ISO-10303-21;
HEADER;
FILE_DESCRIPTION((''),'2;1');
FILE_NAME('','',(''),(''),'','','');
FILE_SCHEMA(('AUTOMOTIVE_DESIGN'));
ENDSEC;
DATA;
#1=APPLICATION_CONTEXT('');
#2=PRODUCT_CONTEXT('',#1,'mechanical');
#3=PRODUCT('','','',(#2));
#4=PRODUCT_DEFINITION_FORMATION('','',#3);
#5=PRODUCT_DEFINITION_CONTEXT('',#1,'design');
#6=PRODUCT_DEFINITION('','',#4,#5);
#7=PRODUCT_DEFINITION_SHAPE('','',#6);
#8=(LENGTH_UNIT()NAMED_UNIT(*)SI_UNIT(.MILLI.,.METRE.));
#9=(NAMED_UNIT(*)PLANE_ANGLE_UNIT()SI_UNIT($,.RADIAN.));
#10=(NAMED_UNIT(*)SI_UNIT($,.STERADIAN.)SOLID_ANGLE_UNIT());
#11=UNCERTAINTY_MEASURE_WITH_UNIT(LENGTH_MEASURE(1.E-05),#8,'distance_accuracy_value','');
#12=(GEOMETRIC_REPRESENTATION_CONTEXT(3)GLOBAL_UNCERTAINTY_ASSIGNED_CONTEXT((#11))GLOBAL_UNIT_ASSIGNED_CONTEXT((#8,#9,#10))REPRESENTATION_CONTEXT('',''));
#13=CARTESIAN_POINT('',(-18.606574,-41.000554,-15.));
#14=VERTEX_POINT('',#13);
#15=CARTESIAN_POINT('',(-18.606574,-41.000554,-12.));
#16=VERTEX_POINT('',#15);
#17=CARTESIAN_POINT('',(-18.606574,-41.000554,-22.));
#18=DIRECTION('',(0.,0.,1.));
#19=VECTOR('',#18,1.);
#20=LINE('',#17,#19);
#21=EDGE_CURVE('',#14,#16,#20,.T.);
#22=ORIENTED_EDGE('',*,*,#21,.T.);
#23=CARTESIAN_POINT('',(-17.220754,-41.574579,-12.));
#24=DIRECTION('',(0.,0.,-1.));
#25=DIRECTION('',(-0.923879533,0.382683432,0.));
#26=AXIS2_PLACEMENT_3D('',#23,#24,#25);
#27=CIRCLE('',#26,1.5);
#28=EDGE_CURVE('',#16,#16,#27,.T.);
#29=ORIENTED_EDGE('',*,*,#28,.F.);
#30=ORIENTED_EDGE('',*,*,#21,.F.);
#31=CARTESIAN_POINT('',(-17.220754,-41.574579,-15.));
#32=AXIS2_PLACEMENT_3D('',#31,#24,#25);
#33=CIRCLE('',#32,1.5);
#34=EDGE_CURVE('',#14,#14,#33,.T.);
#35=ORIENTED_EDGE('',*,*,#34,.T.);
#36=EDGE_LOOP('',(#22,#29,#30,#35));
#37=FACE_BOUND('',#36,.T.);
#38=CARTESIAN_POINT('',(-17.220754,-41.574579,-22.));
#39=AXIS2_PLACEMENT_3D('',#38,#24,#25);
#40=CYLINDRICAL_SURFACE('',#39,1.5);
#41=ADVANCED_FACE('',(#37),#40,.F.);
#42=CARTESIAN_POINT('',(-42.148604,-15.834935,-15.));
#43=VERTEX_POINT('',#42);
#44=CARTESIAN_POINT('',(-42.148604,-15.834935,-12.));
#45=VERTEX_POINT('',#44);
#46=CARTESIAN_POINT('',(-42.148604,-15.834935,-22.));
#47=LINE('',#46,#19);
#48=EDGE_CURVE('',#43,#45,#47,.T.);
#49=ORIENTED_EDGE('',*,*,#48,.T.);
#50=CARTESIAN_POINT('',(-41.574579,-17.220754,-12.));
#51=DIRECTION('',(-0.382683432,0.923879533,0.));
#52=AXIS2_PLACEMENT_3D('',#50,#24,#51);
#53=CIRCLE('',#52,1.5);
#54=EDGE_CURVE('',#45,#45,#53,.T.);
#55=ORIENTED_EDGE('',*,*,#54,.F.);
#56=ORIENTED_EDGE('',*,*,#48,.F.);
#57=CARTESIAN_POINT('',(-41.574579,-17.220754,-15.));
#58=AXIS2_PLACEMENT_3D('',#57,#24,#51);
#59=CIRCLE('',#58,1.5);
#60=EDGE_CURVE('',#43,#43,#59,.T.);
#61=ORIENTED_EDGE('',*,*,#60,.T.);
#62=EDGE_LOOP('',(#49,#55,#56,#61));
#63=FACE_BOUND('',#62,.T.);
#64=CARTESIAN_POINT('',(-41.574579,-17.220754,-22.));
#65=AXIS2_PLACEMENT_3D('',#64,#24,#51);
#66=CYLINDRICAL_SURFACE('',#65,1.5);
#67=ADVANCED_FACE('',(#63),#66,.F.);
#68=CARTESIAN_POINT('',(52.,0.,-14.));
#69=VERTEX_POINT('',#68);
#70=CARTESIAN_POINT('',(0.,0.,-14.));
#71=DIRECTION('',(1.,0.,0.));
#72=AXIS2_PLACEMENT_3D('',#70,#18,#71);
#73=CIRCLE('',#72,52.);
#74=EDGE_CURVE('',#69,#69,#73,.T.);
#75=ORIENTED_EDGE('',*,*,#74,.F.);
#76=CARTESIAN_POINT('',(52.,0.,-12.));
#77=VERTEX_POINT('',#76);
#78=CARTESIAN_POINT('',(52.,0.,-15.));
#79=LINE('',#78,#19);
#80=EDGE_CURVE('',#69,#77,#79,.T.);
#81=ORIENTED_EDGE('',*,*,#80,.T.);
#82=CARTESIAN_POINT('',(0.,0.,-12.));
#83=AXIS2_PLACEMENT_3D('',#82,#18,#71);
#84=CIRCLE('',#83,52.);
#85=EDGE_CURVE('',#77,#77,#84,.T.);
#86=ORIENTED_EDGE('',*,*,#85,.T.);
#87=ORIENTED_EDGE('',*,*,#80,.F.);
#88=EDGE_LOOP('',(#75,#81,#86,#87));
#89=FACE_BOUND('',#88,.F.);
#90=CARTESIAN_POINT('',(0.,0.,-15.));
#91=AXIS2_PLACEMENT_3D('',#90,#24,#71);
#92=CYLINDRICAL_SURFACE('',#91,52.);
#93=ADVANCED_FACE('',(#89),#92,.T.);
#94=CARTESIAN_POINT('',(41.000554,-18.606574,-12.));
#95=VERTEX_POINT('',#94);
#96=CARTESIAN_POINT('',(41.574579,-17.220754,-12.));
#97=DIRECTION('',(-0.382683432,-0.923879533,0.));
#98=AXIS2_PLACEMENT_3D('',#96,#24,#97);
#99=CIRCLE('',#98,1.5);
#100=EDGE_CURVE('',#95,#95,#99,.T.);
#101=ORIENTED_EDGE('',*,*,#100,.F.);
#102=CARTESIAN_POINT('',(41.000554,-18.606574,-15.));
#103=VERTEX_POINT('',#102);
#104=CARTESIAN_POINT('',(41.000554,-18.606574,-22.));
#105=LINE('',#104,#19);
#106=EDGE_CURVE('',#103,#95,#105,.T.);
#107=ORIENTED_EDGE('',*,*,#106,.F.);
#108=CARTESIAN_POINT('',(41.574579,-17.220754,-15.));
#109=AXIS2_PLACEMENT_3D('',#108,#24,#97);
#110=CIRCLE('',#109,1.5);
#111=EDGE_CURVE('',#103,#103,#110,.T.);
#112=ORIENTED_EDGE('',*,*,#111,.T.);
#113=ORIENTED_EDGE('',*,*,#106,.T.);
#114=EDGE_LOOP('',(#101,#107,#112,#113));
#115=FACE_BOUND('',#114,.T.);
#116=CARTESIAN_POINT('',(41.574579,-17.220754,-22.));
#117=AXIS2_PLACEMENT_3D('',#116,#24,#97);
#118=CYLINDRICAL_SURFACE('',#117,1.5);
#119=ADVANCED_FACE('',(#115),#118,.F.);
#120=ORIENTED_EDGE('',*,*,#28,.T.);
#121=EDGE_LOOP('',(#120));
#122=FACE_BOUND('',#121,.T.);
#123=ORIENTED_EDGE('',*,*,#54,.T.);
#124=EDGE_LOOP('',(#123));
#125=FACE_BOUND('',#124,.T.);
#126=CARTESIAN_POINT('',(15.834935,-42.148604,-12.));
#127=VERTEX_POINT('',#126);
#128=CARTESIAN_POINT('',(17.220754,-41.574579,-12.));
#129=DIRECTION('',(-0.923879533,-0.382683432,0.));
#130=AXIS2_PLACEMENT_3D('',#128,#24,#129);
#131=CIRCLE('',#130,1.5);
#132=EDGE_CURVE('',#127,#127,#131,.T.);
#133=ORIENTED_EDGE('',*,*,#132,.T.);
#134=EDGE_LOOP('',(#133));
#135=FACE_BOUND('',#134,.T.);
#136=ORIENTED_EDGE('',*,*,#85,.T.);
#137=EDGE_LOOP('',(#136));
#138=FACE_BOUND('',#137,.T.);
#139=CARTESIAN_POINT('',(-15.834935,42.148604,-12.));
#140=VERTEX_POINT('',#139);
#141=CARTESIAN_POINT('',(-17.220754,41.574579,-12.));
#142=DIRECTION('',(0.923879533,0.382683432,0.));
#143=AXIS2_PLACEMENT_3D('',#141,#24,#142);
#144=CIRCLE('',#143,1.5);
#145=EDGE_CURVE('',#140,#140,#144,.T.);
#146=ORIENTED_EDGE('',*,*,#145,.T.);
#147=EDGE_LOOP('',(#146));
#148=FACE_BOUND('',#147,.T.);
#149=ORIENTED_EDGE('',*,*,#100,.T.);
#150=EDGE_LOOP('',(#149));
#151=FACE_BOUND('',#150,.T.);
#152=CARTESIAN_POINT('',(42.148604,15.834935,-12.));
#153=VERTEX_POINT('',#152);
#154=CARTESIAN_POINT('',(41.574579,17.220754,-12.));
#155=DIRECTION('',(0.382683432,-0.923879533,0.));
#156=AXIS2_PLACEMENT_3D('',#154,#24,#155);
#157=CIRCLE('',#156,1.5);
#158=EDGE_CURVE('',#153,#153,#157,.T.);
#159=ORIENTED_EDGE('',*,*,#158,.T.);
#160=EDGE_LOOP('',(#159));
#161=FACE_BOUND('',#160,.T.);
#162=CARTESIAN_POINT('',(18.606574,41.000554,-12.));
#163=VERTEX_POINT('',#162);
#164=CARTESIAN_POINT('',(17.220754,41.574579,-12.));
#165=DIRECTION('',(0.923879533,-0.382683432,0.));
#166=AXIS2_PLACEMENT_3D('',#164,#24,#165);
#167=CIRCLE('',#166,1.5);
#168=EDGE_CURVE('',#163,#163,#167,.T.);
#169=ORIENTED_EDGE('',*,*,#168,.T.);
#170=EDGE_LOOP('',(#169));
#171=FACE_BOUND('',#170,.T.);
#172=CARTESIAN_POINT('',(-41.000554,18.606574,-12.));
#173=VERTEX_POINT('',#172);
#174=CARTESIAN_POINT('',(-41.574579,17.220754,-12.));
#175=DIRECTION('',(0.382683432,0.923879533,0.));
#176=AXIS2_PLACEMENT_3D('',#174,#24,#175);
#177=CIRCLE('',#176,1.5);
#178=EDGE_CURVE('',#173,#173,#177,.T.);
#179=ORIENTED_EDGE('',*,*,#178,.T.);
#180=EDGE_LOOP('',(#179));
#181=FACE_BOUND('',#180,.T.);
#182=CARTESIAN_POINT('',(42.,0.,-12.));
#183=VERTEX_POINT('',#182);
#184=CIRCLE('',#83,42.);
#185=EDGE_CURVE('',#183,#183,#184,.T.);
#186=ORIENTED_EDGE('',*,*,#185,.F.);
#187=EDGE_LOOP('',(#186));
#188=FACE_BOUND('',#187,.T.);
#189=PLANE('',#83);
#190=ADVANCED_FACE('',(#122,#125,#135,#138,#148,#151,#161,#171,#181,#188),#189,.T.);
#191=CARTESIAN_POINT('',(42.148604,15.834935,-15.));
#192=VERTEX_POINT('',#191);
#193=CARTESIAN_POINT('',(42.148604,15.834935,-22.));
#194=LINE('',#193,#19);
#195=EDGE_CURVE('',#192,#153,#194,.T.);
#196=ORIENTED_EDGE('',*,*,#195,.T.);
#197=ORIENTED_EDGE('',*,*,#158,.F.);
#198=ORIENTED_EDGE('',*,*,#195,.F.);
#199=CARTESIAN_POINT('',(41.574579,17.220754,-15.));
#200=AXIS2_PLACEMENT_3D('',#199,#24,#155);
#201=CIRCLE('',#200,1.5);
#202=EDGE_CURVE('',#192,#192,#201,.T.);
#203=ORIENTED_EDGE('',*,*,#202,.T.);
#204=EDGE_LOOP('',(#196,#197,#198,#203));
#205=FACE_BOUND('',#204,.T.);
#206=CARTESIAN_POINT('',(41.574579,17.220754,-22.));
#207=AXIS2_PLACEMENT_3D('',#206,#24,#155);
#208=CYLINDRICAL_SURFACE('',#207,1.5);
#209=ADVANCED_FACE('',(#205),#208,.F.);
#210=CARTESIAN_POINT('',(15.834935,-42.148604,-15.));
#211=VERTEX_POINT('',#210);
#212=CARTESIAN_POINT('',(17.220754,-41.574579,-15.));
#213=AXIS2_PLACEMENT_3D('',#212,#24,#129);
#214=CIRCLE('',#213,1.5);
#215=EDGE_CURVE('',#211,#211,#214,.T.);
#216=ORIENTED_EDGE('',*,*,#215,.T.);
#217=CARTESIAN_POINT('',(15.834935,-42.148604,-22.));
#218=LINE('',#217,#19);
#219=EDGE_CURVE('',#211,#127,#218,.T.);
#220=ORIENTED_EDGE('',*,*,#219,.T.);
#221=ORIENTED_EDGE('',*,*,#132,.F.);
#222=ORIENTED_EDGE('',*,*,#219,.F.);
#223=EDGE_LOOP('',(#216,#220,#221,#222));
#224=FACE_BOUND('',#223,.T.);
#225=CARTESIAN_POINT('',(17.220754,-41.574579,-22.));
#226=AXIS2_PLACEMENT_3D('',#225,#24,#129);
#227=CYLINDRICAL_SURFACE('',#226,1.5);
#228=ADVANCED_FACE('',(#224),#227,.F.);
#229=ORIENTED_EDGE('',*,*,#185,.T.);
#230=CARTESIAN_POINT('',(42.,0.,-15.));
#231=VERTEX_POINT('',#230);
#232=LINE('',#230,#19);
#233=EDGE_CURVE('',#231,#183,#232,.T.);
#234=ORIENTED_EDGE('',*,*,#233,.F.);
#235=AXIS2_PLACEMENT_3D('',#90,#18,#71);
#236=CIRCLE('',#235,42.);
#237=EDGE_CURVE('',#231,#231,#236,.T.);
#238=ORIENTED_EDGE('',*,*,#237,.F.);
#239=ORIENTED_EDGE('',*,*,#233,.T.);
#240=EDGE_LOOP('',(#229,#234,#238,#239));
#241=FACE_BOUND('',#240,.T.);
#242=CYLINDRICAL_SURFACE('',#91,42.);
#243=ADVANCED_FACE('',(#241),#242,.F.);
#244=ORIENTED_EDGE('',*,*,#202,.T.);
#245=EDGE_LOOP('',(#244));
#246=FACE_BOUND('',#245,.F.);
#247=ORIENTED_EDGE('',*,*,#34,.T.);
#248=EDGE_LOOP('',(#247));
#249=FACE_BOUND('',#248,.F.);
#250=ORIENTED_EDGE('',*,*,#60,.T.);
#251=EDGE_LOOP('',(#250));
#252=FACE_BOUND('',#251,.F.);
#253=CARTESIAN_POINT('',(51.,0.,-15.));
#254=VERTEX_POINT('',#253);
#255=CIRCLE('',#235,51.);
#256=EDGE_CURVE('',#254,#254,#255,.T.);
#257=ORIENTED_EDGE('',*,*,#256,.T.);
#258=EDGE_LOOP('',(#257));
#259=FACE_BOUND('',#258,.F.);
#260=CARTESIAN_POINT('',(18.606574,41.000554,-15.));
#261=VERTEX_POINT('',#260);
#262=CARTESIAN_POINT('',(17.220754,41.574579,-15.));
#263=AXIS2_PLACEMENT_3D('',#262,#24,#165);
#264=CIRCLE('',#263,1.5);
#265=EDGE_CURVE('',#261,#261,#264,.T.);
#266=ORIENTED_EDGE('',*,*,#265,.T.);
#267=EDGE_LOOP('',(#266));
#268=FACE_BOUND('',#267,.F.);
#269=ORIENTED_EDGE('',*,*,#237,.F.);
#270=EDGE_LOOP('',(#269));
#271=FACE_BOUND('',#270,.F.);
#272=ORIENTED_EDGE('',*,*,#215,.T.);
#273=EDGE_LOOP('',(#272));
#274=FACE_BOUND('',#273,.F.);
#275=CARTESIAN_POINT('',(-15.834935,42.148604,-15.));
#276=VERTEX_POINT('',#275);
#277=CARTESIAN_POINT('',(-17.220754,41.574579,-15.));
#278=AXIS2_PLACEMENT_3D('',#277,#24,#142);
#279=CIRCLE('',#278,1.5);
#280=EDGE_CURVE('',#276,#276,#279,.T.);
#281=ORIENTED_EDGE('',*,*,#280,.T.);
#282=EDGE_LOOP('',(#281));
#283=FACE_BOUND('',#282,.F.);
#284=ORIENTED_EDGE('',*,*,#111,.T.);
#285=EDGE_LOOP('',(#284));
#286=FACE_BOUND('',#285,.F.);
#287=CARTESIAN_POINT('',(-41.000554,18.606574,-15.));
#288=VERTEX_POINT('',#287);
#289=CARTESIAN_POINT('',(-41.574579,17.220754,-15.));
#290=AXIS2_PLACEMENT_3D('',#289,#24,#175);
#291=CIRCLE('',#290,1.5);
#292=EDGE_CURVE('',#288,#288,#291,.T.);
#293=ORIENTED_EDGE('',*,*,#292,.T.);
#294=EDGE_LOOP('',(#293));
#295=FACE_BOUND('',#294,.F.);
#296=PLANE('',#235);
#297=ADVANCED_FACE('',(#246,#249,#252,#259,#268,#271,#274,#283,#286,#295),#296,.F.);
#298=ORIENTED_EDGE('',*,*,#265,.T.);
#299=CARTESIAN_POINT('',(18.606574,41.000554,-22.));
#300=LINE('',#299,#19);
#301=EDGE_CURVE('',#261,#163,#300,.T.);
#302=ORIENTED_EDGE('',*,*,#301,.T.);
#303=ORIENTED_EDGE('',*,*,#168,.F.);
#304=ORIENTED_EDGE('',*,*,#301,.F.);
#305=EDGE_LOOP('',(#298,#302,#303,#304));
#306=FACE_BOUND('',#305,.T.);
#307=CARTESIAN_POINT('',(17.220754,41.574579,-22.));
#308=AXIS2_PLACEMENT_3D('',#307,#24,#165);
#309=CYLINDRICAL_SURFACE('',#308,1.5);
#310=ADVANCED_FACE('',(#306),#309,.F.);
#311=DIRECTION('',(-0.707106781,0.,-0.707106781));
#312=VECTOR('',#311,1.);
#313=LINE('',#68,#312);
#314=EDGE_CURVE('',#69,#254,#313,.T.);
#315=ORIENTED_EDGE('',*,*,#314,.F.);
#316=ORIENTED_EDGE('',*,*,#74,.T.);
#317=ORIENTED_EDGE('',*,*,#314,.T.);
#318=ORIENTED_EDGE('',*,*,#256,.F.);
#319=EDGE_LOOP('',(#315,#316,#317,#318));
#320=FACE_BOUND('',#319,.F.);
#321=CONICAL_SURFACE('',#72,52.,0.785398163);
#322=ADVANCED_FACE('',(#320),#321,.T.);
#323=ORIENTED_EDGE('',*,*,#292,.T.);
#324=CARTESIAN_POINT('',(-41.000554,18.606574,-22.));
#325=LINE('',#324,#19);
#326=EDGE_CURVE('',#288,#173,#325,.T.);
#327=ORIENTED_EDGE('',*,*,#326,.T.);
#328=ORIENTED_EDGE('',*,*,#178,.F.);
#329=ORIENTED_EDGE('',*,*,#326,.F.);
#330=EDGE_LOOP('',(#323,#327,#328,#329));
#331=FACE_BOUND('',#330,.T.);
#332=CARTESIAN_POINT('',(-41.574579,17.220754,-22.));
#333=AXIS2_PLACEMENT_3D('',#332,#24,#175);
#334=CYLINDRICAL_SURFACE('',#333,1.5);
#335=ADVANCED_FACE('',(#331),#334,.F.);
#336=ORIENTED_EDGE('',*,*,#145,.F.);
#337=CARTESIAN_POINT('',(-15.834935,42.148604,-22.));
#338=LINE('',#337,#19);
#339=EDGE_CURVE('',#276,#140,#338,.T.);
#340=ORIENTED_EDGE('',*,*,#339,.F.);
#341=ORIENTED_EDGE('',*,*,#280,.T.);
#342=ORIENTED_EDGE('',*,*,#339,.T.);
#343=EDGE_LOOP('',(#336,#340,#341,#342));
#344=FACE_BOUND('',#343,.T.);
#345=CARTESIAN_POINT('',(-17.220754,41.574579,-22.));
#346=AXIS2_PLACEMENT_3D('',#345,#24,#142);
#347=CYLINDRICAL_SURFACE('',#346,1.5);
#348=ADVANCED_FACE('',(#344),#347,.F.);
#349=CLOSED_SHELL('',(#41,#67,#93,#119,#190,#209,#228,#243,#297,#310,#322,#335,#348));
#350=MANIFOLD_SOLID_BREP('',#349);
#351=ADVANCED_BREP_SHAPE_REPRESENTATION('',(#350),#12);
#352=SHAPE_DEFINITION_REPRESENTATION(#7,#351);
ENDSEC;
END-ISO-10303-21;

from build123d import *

# Parameters (mm, degrees)
CYLINDER658_R               = 1.5
CYLINDER658_DEPTH           = 20
CYLINDER658_PLACEMENT_ANGLE = 45
CYLINDER659_R               = 1.5
CYLINDER659_DEPTH           = 20
CYLINDER652_R               = 1.5
CYLINDER652_DEPTH           = 20
CYLINDER652_PLACEMENT_ANGLE = 135
CYLINDER655_R               = 1.5
CYLINDER655_DEPTH           = 20
CYLINDER657_R               = 1.5
CYLINDER657_DEPTH           = 20
CYLINDER657_PLACEMENT_ANGLE = 225
CYLINDER654_R               = 1.5
CYLINDER654_DEPTH           = 20
CYLINDER656_R               = 1.5
CYLINDER656_DEPTH           = 20
CYLINDER656_PLACEMENT_ANGLE = 45
CYLINDER653_R               = 1.5
CYLINDER653_DEPTH           = 20
COMPOUND660_PLACEMENT_ANGLE = 22.5
TUBE040_R                   = 52
TUBE040_R_2                 = 42
TUBE040_DEPTH               = 3
CHAMFER018_SIZE             = 1


with BuildPart() as v_lec658:
    # Cylinder658 → Cylinder658 (new body)
    with BuildSketch(Plane.XY):
        Circle(CYLINDER658_R)
    extrude(amount=CYLINDER658_DEPTH)


with BuildPart() as v_lec658_1:
    # Cylinder658 placement: moved
    add(v_lec658.part.moved(Location((-31.819805, 31.819805, -18))).rotate(Axis((-31.819805, 31.819805, -18), (0, 0, 1)), CYLINDER658_PLACEMENT_ANGLE))


with BuildPart() as v_lec659:
    # Cylinder659 → Cylinder659 (new body)
    with BuildSketch(Plane(origin=(-45, 0, -18), x_dir=(0, 1, 0), z_dir=(0, 0, 1))):
        Circle(CYLINDER659_R)
    extrude(amount=CYLINDER659_DEPTH)


with BuildPart() as v_lec652:
    # Cylinder652 → Cylinder652 (new body)
    with BuildSketch(Plane.XY):
        Circle(CYLINDER652_R)
    extrude(amount=CYLINDER652_DEPTH)


with BuildPart() as v_lec652_1:
    # Cylinder652 placement: moved
    add(v_lec652.part.moved(Location((-31.819805, -31.819805, -18))).rotate(Axis((-31.819805, -31.819805, -18), (0, 0, 1)), CYLINDER652_PLACEMENT_ANGLE))


with BuildPart() as v_lec655:
    # Cylinder655 → Cylinder655 (new body)
    with BuildSketch(Plane(origin=(0, -45, -18), x_dir=(-1, 0, 0), z_dir=(0, 0, 1))):
        Circle(CYLINDER655_R)
    extrude(amount=CYLINDER655_DEPTH)


with BuildPart() as v_lec657:
    # Cylinder657 → Cylinder657 (new body)
    with BuildSketch(Plane.XY):
        Circle(CYLINDER657_R)
    extrude(amount=CYLINDER657_DEPTH)


with BuildPart() as v_lec657_1:
    # Cylinder657 placement: moved
    add(v_lec657.part.moved(Location((31.819805, -31.819805, -18))).rotate(Axis((31.819805, -31.819805, -18), (0, 0, 1)), CYLINDER657_PLACEMENT_ANGLE))


with BuildPart() as v_lec654:
    # Cylinder654 → Cylinder654 (new body)
    with BuildSketch(Plane(origin=(45, 0, -18), x_dir=(0, -1, 0), z_dir=(0, 0, 1))):
        Circle(CYLINDER654_R)
    extrude(amount=CYLINDER654_DEPTH)


with BuildPart() as v_lec656:
    # Cylinder656 → Cylinder656 (new body)
    with BuildSketch(Plane.XY):
        Circle(CYLINDER656_R)
    extrude(amount=CYLINDER656_DEPTH)


with BuildPart() as v_lec656_1:
    # Cylinder656 placement: moved
    add(v_lec656.part.moved(Location((31.819805, 31.819805, -18))).rotate(Axis((31.819805, 31.819805, -18), (0, 0, -1)), CYLINDER656_PLACEMENT_ANGLE))


with BuildPart() as compound660:
    # Cylinder653 → Cylinder653 (new body)
    with BuildSketch(Plane(origin=(0, 45, -18), x_dir=(1, 0, 0), z_dir=(0, 0, 1))):
        Circle(CYLINDER653_R)
    extrude(amount=CYLINDER653_DEPTH)

    # Compound660: union Válec658, Válec659, Válec652, Válec655, Válec657, Válec654, Válec656
    add(v_lec658_1.part)
    add(v_lec659.part)
    add(v_lec652_1.part)
    add(v_lec655.part)
    add(v_lec657_1.part)
    add(v_lec654.part)
    add(v_lec656_1.part)


with BuildPart() as compound660_1:
    # Compound660 placement: moved
    add(compound660.part.rotate(Axis((0, 0, 0), (0, 0, 1)), COMPOUND660_PLACEMENT_ANGLE))


with BuildPart() as j_max_encoder_belt_ring_a:
    # Tube040 → Tube040 (new body)
    with BuildSketch(Plane.XY.offset(-11)):
        Circle(TUBE040_R)
        Circle(TUBE040_R_2, mode=Mode.SUBTRACT)
    extrude(amount=TUBE040_DEPTH)

    # Cut290: cut Compound660
    add(compound660_1.part, mode=Mode.SUBTRACT)


with BuildPart() as j_max_encoder_belt_ring_a_1:
    # Cut290 placement: moved
    add(j_max_encoder_belt_ring_a.part.moved(Location((0, 0, -4))))

    # Chamfer018
    chamfer018_edges = [j_max_encoder_belt_ring_a_1.edges().sort_by_distance(p)[0] for p in [
        (-52, 0, -15),
    ]]
    chamfer(chamfer018_edges, length=CHAMFER018_SIZE)


solid = j_max_encoder_belt_ring_a_1.part
